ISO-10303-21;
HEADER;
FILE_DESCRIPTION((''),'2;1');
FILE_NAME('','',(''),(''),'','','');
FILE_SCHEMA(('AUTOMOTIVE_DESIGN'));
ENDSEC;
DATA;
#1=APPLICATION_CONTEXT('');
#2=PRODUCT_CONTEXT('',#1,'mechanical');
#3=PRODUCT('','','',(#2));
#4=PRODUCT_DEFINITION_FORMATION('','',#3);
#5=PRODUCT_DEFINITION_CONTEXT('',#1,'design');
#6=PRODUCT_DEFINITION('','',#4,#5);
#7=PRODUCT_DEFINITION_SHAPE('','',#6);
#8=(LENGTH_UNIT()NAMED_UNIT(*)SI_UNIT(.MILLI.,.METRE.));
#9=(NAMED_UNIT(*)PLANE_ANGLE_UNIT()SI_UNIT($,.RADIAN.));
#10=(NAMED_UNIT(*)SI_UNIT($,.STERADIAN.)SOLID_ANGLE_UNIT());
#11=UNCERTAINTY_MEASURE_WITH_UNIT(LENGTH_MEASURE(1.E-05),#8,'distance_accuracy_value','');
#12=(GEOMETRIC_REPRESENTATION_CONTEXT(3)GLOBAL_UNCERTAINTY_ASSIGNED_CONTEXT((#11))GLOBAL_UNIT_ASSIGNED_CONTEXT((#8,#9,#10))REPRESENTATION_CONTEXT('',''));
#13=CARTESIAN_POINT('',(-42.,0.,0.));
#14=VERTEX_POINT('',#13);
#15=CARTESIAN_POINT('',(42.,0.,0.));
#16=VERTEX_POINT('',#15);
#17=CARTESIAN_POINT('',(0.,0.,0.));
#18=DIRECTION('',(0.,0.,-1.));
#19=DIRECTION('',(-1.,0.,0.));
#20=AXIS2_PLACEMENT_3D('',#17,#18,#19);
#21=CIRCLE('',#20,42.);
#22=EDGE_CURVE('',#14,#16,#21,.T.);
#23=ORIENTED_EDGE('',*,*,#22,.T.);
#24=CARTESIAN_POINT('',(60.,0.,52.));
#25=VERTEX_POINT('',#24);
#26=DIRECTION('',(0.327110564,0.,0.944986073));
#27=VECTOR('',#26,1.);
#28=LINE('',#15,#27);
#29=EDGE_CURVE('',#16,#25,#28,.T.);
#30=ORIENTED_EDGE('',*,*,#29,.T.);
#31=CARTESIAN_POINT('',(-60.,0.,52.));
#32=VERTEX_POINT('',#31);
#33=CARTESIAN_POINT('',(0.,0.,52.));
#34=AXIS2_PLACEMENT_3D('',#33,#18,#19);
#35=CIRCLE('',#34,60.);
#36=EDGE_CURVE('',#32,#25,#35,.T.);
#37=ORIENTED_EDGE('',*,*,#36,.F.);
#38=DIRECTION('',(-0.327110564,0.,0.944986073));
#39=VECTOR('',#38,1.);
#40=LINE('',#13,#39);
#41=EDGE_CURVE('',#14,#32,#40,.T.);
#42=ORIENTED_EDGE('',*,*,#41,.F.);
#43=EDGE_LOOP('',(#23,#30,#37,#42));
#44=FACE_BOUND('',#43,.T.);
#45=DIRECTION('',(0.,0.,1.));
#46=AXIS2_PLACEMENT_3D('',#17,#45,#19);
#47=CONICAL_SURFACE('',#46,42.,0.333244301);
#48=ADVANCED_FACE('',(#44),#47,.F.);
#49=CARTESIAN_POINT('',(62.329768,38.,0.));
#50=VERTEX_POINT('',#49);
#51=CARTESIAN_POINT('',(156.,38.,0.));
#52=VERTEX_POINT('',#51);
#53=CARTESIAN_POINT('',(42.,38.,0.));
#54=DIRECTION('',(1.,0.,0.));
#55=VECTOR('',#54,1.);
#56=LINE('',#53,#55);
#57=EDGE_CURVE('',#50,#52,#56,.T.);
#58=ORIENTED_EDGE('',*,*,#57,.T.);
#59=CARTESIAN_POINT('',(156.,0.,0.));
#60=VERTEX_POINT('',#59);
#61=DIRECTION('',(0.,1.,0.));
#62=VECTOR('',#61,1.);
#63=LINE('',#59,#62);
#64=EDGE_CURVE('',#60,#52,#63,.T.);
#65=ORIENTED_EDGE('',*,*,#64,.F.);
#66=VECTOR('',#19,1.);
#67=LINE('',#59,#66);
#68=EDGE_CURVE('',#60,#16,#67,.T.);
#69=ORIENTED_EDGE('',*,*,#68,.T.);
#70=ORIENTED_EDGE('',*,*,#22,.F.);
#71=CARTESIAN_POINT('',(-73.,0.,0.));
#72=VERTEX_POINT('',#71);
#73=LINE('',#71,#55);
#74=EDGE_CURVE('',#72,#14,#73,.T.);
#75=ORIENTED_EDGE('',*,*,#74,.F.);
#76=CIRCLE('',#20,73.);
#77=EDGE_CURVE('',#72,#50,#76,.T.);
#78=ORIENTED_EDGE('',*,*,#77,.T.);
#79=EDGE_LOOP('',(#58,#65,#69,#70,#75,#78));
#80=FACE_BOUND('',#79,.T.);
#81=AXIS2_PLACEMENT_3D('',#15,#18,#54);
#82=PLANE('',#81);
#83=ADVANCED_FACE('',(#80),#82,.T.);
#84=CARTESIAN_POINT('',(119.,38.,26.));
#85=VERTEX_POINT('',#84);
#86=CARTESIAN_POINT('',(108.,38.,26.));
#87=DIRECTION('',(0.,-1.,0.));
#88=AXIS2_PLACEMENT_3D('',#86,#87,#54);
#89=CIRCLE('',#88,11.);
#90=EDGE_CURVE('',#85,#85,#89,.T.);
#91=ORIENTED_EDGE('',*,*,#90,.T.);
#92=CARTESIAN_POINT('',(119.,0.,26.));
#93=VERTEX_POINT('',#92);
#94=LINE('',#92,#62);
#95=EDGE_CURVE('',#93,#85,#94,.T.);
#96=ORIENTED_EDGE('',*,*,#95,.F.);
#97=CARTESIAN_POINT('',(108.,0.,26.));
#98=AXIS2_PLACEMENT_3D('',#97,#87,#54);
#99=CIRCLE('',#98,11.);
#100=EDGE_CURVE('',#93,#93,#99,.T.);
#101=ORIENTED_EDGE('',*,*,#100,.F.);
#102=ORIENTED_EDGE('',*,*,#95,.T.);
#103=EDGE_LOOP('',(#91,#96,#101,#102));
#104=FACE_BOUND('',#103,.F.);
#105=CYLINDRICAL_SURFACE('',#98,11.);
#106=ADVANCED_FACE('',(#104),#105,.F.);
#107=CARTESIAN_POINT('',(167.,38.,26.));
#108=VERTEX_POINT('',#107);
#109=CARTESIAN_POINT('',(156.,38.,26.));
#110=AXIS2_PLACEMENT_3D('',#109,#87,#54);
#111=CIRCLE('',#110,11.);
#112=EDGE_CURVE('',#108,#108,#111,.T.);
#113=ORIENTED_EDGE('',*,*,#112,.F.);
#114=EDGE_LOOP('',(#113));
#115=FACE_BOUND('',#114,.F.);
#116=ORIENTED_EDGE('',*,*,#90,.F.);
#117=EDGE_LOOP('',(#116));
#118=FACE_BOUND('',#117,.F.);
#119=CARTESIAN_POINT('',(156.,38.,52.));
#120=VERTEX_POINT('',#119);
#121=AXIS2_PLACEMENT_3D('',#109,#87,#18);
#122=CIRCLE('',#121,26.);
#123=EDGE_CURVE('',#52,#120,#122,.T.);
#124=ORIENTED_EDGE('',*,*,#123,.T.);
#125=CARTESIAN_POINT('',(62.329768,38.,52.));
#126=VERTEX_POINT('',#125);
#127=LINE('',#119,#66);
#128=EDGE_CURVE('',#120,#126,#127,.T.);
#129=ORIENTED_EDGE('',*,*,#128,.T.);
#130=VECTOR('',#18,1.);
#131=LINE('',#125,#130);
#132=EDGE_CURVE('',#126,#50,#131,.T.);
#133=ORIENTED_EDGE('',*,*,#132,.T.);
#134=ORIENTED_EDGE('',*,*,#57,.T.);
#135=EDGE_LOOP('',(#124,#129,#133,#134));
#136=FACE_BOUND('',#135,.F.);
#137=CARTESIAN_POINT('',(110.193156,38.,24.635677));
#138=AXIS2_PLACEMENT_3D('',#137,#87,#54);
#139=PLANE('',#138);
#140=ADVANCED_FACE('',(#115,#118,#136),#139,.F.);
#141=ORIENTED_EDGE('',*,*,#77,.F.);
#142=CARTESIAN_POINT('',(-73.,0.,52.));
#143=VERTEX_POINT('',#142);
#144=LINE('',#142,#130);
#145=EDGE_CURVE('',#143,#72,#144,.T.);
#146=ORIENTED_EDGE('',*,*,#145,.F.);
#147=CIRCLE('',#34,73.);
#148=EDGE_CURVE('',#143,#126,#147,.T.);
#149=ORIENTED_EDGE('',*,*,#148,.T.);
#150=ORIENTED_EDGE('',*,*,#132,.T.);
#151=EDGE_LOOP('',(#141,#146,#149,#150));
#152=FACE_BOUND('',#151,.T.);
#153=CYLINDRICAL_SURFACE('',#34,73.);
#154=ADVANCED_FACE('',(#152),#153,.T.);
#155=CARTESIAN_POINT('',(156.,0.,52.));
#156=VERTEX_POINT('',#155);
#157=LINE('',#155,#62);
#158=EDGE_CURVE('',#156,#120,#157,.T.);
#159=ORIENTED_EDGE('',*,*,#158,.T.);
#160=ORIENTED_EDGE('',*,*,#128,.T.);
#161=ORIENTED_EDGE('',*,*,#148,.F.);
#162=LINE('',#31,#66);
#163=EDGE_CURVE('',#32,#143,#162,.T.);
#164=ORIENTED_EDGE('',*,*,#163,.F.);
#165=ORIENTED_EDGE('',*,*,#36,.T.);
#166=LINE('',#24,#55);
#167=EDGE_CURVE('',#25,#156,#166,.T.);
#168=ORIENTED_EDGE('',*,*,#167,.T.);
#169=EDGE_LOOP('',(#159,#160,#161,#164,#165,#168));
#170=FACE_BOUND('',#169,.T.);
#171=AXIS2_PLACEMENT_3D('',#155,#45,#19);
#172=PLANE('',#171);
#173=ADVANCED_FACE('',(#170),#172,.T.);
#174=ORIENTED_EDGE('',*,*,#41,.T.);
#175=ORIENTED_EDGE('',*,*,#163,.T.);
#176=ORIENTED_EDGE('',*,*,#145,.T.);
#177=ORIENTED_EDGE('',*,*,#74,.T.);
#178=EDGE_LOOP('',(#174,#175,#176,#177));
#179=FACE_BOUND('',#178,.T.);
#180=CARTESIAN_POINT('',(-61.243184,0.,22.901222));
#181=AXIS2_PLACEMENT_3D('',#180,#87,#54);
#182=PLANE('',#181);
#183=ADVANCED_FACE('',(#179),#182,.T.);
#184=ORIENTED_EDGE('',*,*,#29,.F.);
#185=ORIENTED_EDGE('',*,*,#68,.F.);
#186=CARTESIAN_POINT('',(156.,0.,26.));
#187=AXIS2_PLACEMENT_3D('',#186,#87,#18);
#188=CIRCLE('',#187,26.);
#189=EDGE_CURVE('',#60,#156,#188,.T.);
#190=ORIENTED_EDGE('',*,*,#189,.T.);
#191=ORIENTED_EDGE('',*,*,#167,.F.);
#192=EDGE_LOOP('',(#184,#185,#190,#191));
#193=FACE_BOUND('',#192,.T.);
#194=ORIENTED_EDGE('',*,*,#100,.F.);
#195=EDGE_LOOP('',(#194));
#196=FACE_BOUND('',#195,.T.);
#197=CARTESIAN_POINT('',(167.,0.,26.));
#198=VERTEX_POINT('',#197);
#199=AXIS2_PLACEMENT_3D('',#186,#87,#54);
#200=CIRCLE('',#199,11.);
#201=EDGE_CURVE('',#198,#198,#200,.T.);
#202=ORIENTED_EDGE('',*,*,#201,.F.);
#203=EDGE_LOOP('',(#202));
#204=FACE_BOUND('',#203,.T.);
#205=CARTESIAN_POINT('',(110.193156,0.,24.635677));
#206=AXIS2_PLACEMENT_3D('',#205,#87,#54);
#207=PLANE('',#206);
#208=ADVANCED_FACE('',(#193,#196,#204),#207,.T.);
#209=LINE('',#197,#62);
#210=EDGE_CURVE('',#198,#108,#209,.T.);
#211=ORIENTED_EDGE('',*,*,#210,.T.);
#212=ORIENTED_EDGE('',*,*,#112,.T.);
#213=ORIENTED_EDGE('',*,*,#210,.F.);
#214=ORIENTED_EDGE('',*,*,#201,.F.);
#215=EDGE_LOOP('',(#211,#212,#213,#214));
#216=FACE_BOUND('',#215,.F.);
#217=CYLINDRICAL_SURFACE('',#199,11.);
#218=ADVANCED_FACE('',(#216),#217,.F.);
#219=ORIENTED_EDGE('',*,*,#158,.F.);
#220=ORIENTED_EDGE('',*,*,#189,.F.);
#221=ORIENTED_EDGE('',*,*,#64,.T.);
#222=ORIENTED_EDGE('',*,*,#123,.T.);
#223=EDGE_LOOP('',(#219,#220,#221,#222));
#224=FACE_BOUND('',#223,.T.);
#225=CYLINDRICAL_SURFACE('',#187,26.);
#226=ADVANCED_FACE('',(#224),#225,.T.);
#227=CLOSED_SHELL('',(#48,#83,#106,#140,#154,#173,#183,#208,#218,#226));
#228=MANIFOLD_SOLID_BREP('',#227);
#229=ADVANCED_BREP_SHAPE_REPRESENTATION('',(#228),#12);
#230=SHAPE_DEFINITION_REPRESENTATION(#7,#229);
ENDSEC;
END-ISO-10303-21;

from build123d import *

# Parameters (mm, degrees)
F1_ANGLE = 180
F3_DEPTH = 38
F4_R     = 11
F5_DEPTH = 117


with BuildPart() as f1:
    # F0 (on Front) → F1 (revolve)
    with BuildSketch(Plane.XZ):
        Polygon((-60, 52), (-73, 52), (-73, 0), (-42, 0), align=None)
    revolve(axis=Axis((0, 0, 37.335005), (0, 0, -1)), revolution_arc=F1_ANGLE)

    # F2 (on Front) → F3 (join)
    with BuildSketch(Plane.XZ):
        with BuildLine():
            ThreePointArc((156, 0), (182, 26), (156, 52))
            Line((156, 52), (60, 52))
            Line((60, 52), (42, 0))
            Line((42, 0), (156, 0))
        make_face()
    extrude(amount=-F3_DEPTH)

    # F4 (on face) → F5 (cut)
    with BuildSketch(Plane.XZ):
        with Locations((156, 26)):
            Circle(F4_R)
        with Locations((108, 26)):
            Circle(F4_R)
    extrude(amount=-F5_DEPTH, mode=Mode.SUBTRACT)


solid = f1.part
